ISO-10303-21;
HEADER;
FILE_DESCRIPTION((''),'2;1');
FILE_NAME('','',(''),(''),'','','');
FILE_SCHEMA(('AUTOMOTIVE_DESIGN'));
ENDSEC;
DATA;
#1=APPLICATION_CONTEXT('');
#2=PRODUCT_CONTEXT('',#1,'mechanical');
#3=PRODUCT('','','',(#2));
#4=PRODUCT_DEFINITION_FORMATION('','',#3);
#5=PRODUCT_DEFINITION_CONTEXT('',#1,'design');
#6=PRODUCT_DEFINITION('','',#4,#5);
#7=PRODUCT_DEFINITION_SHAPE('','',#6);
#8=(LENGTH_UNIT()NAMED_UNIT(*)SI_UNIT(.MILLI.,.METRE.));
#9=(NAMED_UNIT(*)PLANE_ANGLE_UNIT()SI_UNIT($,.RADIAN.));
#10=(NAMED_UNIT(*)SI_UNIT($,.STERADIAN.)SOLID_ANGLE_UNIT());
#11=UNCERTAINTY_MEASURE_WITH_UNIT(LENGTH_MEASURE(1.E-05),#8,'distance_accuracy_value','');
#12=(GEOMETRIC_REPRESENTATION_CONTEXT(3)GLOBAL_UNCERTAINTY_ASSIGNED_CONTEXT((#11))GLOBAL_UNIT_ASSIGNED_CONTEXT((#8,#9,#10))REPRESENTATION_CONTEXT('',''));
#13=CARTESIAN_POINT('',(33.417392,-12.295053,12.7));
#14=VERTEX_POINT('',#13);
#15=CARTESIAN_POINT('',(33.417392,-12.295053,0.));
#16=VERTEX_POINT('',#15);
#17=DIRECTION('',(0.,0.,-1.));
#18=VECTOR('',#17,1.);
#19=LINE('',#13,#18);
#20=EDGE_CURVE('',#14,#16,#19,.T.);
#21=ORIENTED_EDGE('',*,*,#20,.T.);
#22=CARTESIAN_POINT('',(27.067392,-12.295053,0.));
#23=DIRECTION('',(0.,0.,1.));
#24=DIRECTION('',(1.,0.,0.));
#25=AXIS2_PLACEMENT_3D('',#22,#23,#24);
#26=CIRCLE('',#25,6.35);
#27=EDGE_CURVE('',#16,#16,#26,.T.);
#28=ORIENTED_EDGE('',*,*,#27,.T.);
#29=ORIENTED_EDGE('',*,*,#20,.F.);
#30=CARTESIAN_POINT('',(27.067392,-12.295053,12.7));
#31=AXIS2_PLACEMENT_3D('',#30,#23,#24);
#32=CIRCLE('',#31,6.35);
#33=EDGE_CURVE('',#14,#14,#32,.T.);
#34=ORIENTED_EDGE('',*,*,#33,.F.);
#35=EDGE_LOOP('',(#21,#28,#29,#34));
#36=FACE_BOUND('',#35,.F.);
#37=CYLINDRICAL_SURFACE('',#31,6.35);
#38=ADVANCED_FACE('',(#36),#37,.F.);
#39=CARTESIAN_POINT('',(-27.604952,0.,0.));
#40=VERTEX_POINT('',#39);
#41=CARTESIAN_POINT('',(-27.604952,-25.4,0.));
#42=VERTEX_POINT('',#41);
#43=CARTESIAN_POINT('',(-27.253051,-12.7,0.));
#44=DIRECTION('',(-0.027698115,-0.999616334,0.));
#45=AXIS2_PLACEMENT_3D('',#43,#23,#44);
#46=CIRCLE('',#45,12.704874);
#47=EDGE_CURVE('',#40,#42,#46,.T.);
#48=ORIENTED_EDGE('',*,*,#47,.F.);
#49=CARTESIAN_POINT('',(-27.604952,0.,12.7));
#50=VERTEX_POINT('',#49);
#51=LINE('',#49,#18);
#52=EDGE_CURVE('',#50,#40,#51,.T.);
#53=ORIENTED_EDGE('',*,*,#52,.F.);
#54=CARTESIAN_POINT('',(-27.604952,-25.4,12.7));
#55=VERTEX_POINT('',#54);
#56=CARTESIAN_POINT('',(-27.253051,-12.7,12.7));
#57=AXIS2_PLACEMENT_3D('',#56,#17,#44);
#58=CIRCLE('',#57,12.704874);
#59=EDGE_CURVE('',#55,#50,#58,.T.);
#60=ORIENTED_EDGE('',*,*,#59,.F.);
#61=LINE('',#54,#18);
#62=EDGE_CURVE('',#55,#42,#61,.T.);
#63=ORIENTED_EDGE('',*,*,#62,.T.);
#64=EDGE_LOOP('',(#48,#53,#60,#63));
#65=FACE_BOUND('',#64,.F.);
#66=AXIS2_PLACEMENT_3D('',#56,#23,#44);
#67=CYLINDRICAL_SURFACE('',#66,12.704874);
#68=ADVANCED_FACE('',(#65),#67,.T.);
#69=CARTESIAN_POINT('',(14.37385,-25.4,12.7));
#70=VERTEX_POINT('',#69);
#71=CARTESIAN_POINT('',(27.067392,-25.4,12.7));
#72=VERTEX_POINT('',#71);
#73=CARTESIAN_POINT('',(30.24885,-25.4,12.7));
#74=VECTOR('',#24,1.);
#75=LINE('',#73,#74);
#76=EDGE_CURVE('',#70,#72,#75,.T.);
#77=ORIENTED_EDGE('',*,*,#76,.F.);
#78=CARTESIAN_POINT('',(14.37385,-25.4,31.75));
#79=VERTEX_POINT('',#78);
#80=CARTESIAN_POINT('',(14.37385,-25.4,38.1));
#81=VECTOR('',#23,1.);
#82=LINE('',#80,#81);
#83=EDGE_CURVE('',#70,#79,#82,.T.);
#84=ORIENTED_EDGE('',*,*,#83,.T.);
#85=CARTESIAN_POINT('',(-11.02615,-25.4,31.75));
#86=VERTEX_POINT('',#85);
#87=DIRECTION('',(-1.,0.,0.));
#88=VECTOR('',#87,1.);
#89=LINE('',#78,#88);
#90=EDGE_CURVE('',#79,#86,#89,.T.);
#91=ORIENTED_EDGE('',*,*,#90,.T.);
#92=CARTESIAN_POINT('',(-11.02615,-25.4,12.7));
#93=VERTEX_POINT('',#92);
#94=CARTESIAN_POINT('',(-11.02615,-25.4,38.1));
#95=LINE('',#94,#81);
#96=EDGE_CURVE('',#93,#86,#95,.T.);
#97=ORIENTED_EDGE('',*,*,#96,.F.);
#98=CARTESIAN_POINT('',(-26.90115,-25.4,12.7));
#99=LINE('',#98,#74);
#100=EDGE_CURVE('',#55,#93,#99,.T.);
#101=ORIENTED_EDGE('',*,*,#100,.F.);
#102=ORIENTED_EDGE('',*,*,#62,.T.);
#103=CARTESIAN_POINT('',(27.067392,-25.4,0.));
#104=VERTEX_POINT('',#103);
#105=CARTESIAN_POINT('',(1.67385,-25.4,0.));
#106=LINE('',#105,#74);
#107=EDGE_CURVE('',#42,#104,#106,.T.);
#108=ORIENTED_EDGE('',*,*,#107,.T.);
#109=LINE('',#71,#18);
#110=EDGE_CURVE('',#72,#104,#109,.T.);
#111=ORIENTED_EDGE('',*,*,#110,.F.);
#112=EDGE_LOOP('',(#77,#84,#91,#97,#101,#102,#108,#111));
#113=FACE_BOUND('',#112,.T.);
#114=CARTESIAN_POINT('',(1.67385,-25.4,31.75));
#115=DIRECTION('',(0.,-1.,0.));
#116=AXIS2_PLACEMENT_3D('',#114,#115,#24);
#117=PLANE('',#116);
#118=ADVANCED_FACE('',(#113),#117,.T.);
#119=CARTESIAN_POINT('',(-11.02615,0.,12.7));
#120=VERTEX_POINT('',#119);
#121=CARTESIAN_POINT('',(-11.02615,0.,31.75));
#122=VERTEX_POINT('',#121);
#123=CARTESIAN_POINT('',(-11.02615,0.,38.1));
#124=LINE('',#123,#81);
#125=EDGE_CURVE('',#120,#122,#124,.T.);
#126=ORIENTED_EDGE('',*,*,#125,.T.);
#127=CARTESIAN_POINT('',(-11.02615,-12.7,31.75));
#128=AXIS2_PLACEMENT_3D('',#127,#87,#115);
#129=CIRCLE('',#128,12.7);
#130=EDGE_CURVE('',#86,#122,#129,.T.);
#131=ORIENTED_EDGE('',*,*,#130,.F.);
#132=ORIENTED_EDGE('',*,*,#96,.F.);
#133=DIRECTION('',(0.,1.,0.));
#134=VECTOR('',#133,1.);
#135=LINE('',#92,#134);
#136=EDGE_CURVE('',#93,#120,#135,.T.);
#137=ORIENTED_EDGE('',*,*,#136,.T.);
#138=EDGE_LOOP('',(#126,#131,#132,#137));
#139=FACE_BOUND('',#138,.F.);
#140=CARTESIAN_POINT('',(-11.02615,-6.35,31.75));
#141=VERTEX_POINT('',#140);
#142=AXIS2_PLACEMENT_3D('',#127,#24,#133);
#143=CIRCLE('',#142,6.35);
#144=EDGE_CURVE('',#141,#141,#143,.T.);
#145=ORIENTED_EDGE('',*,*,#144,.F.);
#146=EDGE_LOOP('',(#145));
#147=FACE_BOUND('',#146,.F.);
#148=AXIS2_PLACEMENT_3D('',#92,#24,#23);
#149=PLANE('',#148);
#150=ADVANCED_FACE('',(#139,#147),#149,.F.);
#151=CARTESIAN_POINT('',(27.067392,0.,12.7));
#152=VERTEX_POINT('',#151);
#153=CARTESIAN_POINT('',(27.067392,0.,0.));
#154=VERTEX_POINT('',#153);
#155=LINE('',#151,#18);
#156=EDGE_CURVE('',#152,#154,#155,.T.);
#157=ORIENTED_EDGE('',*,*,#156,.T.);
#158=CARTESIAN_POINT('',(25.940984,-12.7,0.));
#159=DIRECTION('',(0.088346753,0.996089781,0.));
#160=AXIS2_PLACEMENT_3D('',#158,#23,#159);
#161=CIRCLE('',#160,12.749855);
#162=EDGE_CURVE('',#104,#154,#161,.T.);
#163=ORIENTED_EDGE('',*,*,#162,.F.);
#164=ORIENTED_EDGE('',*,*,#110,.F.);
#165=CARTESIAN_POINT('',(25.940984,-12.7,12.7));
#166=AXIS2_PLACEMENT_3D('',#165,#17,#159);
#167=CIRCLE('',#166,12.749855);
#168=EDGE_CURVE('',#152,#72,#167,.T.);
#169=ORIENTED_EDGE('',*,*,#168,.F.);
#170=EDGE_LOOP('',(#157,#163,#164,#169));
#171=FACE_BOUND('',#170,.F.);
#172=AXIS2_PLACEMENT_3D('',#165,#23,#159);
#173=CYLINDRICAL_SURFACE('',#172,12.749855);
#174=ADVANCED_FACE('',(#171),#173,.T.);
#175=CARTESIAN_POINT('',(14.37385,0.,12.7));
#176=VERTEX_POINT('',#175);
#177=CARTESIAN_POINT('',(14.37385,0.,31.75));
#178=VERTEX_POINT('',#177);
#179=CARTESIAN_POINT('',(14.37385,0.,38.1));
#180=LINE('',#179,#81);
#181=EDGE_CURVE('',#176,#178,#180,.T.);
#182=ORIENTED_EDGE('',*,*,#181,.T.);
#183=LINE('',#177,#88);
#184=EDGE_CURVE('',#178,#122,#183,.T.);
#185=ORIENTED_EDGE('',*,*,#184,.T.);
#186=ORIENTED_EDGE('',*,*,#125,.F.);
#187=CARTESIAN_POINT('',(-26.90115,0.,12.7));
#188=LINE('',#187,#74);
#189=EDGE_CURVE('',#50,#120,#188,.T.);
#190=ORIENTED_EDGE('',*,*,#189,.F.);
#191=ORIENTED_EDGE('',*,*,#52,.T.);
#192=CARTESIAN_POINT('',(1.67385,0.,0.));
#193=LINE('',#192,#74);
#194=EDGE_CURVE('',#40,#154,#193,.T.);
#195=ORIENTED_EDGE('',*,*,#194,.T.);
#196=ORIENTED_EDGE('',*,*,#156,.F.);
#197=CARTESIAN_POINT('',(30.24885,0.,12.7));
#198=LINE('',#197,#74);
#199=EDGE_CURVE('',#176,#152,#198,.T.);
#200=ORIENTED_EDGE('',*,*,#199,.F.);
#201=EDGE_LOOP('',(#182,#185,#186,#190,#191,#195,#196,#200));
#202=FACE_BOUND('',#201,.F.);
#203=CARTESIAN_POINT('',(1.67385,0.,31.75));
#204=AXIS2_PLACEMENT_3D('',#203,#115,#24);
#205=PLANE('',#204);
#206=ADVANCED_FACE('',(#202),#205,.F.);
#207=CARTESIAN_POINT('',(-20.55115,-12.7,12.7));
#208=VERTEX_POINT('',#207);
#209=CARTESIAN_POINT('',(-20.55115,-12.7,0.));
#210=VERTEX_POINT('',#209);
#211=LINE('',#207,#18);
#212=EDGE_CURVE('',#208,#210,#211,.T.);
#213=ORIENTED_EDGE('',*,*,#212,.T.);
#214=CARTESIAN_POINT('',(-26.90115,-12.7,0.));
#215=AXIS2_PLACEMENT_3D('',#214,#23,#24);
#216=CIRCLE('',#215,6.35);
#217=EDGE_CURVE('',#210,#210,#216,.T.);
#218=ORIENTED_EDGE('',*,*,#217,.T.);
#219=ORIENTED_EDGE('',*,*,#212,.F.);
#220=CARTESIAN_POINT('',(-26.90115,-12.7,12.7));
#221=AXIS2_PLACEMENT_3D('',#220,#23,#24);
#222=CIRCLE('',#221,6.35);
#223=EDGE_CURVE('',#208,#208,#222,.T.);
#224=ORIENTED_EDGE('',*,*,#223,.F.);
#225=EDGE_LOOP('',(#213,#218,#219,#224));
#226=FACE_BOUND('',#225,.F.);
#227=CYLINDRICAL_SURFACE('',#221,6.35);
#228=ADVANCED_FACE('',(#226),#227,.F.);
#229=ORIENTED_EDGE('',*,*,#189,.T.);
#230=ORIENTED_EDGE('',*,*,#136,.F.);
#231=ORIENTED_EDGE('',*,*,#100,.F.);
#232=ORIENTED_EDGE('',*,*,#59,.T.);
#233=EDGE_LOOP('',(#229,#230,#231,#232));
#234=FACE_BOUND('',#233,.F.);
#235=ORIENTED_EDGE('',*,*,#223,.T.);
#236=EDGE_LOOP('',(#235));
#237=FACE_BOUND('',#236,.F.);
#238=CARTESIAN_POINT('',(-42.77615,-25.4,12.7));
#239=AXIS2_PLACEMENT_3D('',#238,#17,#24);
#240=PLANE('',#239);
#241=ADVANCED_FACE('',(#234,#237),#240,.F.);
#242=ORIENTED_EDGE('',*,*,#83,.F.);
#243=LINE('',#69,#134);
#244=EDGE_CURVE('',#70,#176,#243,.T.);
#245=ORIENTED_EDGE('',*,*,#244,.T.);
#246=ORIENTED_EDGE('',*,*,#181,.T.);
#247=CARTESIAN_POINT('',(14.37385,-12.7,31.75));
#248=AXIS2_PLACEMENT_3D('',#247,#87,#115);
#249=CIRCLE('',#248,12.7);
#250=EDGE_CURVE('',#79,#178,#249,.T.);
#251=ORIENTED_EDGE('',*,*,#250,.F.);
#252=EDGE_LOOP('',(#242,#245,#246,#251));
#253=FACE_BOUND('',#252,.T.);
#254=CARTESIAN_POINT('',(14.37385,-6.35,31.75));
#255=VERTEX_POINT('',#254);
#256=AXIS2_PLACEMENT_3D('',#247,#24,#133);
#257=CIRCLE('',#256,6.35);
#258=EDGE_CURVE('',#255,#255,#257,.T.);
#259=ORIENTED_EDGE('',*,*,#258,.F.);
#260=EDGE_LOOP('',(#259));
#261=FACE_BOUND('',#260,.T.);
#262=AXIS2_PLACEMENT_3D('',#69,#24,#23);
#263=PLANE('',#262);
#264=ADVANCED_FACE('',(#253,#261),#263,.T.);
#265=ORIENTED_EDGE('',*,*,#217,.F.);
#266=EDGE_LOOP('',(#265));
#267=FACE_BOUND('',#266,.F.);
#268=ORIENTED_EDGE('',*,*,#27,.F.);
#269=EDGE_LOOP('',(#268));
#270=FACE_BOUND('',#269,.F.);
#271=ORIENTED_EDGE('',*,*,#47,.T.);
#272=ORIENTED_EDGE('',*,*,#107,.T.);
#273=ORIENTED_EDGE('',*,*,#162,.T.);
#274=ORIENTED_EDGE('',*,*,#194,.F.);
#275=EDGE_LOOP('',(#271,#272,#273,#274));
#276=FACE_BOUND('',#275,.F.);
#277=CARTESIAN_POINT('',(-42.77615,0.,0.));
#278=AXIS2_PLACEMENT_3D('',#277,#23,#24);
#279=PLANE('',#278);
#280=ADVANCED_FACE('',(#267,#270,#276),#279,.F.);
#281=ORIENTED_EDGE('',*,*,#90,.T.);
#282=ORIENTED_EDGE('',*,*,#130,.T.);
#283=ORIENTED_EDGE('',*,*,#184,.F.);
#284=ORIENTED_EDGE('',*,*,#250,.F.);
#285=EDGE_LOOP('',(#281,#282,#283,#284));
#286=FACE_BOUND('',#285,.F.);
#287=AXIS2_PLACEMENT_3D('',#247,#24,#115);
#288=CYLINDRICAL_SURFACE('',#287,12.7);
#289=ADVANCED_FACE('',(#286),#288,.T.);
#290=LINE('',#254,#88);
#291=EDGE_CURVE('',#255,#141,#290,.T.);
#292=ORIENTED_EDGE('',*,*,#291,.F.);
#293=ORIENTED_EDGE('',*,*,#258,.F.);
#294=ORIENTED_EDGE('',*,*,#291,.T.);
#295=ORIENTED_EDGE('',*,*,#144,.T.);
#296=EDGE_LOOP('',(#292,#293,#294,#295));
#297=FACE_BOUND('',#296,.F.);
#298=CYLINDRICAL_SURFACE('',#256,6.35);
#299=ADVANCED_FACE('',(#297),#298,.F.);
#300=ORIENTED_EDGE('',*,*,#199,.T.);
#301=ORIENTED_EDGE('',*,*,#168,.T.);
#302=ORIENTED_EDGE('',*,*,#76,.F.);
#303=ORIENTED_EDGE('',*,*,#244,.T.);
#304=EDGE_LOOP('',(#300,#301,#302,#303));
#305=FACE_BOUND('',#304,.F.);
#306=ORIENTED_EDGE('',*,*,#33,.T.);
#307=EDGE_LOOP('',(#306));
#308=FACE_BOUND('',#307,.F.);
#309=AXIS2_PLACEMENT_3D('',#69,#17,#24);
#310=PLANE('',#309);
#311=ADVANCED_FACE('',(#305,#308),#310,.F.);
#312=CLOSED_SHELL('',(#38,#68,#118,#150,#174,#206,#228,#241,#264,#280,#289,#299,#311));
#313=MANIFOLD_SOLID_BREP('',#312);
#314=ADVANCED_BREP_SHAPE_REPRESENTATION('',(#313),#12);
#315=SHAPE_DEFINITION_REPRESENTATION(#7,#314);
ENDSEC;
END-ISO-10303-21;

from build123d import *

# Parameters (mm, degrees)
F0_W     = 88.9
F0_H     = 63.5
F1_DEPTH = 25.4
F2_W     = 31.75
F2_H     = 50.8
F3_DEPTH = 25.4
F4_R     = 6.35
F5_DEPTH = 25.4
F6_R     = 6.35
F7_DEPTH = 25.4
F8_R     = 6.35
F9_DEPTH = 25.4


with BuildPart() as f1:
    # F0 (on Front) → F1 (new body)
    with BuildSketch(Plane.XZ):
        with Locations((1.6738499718, 31.75)):
            Rectangle(F0_W, F0_H)
    extrude(amount=F1_DEPTH)

    # F2 (on face) → F3 (cut)
    with BuildSketch(Plane.XZ.offset(25.4)):
        with Locations((-26.9011500282, 38.1)):
            Rectangle(F2_W, F2_H)
        with Locations((30.2488499718, 38.1)):
            Rectangle(F2_W, F2_H)
    extrude(amount=-F3_DEPTH, mode=Mode.SUBTRACT)

    # F4 (on face) → F5 (cut)
    with BuildSketch(Plane.YZ.offset(14.3738499718)):
        with BuildLine():
            ThreePointArc((-25.4, 31.75), (-12.7, 44.45), (0, 31.75))
            Line((0, 31.75), (0, 63.5))
            Line((0, 63.5), (-25.4, 63.5))
            Line((-25.4, 63.5), (-25.4, 31.75))
        make_face()
        with Locations((-12.7, 31.75)):
            Circle(F4_R)
    extrude(amount=-F5_DEPTH, mode=Mode.SUBTRACT)

    # F6 (on face) → F7 (cut)
    with BuildSketch(Plane.XY.offset(12.7)):
        with Locations((27.0673923413, -12.2950529623)):
            Circle(F6_R)
        with BuildLine():
            ThreePointArc((27.0673923413, 0), (38.6908388043, -12.7), (27.0673923413, -25.4))
            Line((27.0673923413, -25.4), (46.1238499718, -25.4))
            Line((46.1238499718, -25.4), (46.1238499718, 0))
            Line((46.1238499718, 0), (27.0673923413, 0))
        make_face()
    extrude(amount=-F7_DEPTH, mode=Mode.SUBTRACT)

    # F8 (on face) → F9 (cut)
    with BuildSketch(Plane.XY.offset(12.7)):
        with Locations((-26.9011500282, -12.7)):
            Circle(F8_R)
        with BuildLine():
            ThreePointArc((-27.6049521663, -25.4), (-39.9579255304, -12.7), (-27.6049521663, 0))
            Line((-27.6049521663, 0), (-42.7761500282, 0))
            Line((-42.7761500282, 0), (-42.7761500282, -25.4))
            Line((-42.7761500282, -25.4), (-27.6049521663, -25.4))
        make_face()
    extrude(amount=-F9_DEPTH, mode=Mode.SUBTRACT)


solid = f1.part
